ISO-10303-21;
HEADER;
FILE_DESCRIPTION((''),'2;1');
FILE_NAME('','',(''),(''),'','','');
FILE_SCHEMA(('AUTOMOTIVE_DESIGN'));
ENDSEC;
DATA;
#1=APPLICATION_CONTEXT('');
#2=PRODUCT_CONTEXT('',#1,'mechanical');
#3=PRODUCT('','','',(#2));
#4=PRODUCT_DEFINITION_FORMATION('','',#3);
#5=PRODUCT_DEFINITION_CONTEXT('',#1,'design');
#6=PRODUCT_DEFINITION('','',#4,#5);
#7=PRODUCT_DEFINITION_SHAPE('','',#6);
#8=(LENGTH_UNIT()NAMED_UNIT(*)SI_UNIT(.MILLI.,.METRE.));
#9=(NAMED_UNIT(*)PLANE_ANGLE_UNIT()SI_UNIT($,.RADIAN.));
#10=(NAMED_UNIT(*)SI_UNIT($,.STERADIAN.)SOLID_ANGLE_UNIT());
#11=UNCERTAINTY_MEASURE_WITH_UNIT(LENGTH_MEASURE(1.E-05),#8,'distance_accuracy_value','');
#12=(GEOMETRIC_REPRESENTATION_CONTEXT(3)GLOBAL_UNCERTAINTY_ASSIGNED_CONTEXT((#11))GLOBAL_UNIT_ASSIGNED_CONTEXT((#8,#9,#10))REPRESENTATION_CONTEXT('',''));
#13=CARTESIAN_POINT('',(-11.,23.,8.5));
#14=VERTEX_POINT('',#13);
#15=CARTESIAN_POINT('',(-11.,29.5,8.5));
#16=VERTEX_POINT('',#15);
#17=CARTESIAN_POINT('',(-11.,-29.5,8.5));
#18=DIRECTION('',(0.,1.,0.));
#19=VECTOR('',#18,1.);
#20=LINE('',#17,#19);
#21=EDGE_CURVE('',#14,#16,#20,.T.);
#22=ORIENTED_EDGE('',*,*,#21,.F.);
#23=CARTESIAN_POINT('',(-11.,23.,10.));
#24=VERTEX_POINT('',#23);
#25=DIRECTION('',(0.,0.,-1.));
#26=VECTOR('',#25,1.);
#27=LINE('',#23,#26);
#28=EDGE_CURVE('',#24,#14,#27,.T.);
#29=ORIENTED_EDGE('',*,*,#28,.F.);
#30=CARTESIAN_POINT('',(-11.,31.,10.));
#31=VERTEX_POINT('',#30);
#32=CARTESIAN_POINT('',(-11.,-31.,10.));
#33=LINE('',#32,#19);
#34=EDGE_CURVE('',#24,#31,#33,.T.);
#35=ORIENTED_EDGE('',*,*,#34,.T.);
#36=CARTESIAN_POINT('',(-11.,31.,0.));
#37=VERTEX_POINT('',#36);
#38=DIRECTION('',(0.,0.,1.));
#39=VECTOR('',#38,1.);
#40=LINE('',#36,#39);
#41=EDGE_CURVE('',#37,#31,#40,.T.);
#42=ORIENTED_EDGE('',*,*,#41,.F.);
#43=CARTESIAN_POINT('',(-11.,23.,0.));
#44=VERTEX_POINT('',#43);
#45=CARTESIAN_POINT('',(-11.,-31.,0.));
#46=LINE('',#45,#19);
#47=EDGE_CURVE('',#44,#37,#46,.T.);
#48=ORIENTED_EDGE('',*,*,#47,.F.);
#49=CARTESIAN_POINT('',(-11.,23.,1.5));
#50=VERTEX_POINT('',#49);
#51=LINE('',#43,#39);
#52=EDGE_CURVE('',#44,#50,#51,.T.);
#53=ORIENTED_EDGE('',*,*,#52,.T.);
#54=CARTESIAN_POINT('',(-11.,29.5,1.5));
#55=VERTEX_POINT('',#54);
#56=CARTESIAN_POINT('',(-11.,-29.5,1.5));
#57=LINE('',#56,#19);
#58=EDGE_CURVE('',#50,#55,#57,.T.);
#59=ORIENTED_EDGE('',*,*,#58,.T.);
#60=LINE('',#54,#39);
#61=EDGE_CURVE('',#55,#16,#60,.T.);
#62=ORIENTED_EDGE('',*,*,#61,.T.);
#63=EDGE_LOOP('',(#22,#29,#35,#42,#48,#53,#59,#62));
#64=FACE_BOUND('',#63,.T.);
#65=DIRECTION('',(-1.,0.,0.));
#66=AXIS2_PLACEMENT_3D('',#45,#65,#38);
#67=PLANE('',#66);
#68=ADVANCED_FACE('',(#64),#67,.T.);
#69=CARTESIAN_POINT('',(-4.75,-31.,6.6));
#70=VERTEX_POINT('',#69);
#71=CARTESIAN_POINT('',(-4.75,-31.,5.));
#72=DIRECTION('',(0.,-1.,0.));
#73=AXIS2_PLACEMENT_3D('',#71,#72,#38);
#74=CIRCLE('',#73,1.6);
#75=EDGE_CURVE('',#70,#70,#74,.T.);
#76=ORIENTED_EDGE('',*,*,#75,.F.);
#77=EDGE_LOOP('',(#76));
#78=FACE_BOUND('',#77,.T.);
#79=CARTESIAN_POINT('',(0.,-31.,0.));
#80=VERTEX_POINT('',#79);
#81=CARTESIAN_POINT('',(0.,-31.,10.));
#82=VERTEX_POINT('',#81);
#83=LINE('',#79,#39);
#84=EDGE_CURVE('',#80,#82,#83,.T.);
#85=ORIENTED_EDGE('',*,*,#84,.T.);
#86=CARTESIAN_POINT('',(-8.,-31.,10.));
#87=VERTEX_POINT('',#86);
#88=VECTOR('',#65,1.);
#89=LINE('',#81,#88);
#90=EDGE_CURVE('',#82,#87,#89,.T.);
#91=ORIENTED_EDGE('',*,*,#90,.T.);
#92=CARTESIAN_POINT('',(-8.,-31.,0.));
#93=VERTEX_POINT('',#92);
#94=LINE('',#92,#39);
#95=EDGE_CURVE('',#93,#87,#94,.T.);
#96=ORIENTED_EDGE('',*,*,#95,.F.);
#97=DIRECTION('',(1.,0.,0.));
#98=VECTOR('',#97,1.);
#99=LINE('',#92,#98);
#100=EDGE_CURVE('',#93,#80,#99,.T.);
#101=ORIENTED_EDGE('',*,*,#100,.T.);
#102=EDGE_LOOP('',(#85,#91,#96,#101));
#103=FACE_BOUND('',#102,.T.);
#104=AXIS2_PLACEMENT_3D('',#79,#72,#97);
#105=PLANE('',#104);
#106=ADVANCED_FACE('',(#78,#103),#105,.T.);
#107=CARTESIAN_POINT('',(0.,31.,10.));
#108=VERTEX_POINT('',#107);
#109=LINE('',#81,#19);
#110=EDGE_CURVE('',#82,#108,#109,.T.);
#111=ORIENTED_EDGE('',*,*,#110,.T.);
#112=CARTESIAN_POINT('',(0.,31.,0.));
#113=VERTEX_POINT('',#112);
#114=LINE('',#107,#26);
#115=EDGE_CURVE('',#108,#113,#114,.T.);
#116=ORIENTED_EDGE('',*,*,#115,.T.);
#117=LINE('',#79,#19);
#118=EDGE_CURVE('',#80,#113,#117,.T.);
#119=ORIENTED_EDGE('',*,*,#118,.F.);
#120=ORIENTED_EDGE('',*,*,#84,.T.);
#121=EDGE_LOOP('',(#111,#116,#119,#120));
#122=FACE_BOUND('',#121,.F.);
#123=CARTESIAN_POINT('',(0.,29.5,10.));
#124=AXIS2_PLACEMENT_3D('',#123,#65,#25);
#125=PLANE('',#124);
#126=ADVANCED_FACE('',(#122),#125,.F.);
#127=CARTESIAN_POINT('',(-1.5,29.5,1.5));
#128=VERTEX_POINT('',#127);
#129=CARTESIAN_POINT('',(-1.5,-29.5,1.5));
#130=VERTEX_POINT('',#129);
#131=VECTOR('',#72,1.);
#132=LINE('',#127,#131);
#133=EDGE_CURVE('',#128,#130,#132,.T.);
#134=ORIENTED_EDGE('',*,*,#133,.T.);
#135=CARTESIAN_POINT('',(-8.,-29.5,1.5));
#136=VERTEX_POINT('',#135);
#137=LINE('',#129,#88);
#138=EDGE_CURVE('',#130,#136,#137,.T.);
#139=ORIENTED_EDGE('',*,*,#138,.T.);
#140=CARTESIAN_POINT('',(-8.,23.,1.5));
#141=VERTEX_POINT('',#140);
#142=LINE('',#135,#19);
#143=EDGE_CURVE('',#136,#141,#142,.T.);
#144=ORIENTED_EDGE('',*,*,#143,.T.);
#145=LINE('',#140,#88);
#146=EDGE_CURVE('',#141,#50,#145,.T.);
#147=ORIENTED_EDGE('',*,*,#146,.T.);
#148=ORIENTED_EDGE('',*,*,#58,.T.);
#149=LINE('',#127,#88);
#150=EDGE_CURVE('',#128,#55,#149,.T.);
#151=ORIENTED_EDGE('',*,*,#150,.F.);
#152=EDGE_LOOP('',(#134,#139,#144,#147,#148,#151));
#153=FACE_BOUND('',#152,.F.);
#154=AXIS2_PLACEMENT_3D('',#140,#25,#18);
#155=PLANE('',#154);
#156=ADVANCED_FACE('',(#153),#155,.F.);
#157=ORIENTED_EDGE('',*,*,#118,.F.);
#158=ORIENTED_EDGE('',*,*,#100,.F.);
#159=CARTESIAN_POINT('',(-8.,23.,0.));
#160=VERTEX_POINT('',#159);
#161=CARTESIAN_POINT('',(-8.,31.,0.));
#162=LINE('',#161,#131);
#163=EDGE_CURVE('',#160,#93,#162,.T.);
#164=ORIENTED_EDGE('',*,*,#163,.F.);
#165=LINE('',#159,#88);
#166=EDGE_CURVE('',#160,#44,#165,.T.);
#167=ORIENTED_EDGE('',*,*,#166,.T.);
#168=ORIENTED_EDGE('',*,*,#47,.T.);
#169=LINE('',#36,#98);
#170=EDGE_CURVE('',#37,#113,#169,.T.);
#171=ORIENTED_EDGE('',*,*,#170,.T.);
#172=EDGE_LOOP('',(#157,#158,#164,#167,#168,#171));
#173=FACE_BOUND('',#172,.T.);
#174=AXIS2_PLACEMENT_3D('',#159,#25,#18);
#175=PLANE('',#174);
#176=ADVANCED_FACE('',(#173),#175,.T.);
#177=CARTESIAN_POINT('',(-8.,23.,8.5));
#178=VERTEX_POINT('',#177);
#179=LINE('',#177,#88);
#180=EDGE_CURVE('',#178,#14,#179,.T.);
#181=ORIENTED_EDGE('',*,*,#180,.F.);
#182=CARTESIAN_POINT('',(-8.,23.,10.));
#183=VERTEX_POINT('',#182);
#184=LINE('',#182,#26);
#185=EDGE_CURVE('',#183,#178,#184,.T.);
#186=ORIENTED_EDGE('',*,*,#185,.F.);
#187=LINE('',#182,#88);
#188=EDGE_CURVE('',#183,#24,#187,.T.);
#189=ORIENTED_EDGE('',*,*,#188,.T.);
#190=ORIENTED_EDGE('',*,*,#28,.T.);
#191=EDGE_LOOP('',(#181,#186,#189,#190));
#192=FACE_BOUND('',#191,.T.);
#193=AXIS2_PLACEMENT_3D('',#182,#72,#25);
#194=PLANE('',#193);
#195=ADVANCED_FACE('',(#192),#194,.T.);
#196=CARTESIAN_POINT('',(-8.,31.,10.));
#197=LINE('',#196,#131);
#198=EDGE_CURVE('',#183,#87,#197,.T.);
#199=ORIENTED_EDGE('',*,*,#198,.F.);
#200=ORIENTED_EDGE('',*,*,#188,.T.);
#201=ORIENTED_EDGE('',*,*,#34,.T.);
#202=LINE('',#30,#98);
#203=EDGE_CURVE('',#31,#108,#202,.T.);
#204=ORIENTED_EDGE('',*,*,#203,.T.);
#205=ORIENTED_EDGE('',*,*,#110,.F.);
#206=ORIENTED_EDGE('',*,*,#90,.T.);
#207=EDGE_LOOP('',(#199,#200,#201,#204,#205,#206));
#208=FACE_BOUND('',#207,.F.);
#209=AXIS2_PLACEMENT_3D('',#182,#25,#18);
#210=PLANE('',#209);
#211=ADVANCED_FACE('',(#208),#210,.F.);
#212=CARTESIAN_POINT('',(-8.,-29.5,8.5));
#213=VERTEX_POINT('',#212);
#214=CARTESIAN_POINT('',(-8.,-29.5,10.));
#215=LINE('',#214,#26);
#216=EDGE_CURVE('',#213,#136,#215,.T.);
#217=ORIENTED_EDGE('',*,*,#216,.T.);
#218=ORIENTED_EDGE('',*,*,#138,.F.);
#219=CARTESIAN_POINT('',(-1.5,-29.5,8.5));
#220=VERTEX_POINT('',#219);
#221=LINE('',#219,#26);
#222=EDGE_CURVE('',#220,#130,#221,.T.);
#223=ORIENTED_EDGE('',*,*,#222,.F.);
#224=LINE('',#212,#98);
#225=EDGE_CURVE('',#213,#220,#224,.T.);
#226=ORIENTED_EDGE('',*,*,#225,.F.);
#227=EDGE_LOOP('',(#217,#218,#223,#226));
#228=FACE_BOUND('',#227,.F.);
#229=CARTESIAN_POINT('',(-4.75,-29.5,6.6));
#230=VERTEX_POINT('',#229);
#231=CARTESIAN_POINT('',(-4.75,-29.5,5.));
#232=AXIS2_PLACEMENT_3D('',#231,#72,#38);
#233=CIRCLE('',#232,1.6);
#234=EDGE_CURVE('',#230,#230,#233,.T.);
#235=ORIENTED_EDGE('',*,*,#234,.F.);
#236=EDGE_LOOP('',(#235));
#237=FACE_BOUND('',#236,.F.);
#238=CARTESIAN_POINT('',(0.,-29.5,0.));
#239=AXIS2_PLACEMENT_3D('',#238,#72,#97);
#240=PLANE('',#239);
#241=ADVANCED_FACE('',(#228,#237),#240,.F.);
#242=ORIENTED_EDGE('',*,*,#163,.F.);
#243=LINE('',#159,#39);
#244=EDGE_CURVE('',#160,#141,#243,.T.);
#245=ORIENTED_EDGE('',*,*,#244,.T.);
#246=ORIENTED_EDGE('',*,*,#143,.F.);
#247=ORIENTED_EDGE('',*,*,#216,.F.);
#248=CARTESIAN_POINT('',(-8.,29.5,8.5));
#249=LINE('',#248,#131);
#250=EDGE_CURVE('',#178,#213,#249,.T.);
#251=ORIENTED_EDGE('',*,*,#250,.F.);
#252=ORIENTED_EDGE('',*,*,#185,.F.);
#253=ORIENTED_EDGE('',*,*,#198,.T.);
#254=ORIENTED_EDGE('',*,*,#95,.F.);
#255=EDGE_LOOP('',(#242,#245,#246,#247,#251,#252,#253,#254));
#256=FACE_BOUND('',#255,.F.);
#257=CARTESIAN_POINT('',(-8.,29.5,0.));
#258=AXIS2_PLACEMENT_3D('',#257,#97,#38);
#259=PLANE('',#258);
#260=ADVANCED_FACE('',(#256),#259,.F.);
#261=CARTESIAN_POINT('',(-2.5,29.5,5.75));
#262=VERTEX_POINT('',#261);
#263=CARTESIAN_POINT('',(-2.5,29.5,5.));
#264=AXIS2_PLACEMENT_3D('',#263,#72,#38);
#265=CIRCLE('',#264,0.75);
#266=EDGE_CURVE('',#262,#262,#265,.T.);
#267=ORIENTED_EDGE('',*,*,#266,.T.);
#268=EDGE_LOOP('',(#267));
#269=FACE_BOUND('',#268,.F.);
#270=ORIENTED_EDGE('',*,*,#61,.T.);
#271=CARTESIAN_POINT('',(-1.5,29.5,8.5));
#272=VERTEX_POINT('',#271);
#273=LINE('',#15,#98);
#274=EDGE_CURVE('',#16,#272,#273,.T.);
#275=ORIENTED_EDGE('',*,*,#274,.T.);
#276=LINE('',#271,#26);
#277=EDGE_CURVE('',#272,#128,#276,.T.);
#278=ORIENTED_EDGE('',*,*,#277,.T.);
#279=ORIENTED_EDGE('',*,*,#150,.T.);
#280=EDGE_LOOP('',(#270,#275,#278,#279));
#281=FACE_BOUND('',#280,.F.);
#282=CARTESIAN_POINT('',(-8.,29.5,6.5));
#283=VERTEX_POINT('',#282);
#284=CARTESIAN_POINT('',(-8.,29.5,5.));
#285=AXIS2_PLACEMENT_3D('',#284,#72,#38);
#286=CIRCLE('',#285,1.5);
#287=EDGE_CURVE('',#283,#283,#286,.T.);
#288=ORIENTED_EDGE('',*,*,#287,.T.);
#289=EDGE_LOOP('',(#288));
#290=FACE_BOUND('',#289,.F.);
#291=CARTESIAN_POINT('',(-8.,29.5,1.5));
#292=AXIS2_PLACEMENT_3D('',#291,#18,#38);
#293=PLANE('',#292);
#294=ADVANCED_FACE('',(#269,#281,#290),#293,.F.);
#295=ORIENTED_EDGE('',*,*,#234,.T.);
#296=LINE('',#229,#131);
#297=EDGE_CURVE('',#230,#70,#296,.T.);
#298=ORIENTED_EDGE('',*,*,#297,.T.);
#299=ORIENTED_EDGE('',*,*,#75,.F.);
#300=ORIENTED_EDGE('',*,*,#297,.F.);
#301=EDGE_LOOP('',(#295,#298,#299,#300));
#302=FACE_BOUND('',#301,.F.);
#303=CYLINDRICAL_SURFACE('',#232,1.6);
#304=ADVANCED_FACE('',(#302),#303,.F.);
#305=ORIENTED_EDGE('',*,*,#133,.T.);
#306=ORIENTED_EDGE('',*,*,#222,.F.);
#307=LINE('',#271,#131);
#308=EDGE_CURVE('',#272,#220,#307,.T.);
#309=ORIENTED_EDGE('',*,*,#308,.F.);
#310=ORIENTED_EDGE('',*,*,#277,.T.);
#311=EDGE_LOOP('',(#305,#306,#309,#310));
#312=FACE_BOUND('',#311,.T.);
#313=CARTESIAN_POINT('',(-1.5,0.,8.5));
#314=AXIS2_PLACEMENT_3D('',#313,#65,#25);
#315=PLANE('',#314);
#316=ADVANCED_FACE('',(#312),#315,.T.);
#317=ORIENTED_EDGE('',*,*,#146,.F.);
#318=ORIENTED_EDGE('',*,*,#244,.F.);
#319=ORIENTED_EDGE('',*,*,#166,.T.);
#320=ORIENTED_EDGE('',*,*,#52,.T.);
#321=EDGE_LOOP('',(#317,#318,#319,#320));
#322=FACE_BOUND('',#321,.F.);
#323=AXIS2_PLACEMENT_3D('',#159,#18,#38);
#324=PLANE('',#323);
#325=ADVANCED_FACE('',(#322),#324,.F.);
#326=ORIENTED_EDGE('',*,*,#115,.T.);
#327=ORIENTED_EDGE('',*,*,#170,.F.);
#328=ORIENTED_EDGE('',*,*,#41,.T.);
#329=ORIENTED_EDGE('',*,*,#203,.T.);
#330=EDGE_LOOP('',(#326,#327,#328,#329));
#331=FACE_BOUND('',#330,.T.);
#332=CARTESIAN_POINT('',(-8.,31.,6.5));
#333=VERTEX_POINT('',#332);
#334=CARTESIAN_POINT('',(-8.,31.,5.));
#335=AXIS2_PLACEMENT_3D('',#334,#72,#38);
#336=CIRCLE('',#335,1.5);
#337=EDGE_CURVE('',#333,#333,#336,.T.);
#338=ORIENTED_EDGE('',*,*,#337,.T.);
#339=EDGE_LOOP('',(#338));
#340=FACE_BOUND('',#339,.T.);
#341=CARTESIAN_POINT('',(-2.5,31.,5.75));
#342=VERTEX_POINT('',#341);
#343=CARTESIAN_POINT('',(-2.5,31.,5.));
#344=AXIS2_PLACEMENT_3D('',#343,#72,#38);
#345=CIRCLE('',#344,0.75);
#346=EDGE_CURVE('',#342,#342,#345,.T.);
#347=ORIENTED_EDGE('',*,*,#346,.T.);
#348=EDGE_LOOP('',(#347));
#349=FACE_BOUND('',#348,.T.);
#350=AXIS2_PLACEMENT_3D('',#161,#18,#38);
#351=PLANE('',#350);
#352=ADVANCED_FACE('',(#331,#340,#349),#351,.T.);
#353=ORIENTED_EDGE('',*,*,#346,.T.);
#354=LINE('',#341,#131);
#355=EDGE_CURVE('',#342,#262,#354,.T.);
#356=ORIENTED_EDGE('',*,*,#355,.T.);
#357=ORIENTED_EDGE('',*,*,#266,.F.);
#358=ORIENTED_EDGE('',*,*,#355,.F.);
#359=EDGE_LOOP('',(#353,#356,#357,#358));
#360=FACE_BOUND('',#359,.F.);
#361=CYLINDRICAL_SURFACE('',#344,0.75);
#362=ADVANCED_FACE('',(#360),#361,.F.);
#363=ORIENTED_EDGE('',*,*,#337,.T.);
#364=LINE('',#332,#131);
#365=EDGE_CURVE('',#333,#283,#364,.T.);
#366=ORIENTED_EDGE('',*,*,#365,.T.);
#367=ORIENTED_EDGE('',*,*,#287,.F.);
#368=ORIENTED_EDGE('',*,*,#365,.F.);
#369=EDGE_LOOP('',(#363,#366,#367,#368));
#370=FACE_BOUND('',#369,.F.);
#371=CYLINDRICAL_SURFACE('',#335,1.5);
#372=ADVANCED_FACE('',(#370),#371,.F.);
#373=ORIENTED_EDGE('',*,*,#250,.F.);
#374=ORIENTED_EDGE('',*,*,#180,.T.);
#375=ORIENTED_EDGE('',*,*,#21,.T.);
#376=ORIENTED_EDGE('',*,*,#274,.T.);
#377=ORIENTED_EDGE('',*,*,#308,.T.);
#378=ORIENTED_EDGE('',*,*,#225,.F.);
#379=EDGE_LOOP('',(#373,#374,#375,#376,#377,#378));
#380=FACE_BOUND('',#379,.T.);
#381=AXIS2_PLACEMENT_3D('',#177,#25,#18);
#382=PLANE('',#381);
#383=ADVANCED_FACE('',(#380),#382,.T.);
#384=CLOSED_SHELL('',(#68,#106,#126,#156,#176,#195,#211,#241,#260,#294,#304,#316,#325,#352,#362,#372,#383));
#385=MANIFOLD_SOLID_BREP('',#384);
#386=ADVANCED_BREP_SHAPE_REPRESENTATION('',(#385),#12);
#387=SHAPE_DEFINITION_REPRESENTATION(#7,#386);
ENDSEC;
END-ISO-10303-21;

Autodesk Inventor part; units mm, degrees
ref_plane "YZ Plane" through (0, 0, 0) normal (1, 0, 0) x (0, 1, 0)
ref_plane "XZ Plane" through (0, 0, 0) normal (0, 1, 0) x (-1, 0, 0)
ref_plane "XY Plane" through (0, 0, 0) normal (0, 0, 1) x (1, 0, 0)
sketch "Náčrt1" plane through (0, 0, 0) normal (0, 1, 0) x (-1, 0, 0)
  line L0 (0, -2) -> (0, 12) projected
  line L1 (-1.6, 0) -> (9.6, 0) projected
  line L2 (8, 10) -> (0, 10)
  line L3 (0, 10) -> (0, 0)
  line L4 (0, 0) -> (8, 0)
  line L5 (8, 0) -> (8, 10)
  line L6 (8, 8.5) -> (1.5, 8.5)
  line L7 (1.5, 8.5) -> (1.5, 1.5)
  line L8 (1.5, 1.5) -> (8, 1.5)
  line L9 (8, 1.5) -> (8, 8.5)
  point P0 (0, 0)
  point P1 (0, 10)
  dimension "d0" = 8
  dimension "d1" = 10
  dimension "d2" = 6.5
  dimension "d3" = 7
  dimension "d4" = 1.5
extrude "Vysunutí1" add sketch "Náčrt1" along normal mid plane 59 contours L0 L2 L5 L6 L7 L8 L1
sketch "Náčrt2" plane through (0, -29.5, 0) normal (0, -1, 0) x (1, 0, 0)
  line L0 (-8, 8.5) -> (-1.5, 8.5) projected
  line L1 (-1.5, 8.5) -> (-1.5, 1.5) projected
  line L2 (-1.5, 1.5) -> (-8, 1.5) projected
  line L3 (-8, 1.5) -> (-8, 0) projected
  line L4 (-8, 0) -> (0, 0) projected
  line L5 (0, 0) -> (0, 10) projected
  line L6 (0, 10) -> (-8, 10) projected
  line L7 (-8, 10) -> (-8, 8.5) projected
  line L8 (-8, 10) -> (0, 10)
  line L9 (0, 10) -> (0, 0)
  line L10 (0, 0) -> (-8, 0)
  line L11 (-8, 0) -> (-8, 10)
extrude "Vysunutí2" add sketch "Náčrt2" along normal blind 1.5
sketch "Náčrt3" plane through (0, -29.5, 0) normal (0, 1, 0) x (1, 0, 0)
  line L0 (-8, -8.5) -> (-1.5, -8.5) projected
  line L1 (-1.5, -8.5) -> (-1.5, -1.5) projected
  line L2 (-1.5, -1.5) -> (-8, -1.5) projected
  line L3 (-8, -8.5) -> (-8, -1.5) projected
  point P0 (0, 0)
  point P1 (-4.75, -5)
  dimension "d9" = 3.25
  dimension "d10" = 3.5
hole "Díra1" at (-4.75, -29.5, 5) direction (0, -1, 0) diameter 3.2 end through all
sketch "Náčrt5" plane through (0, 29.5, 0) normal (0, 1, 0) x (1, 0, 0)
  line L0 (0, -10) -> (-8, -10) projected
  line L1 (0, 0) -> (-8, 0)
  line L2 (-8, 0) -> (-8, -10)
  line L3 (-8, -10) -> (0, -10)
  line L4 (0, -10) -> (0, 0)
extrude "Vysunutí3" add sketch "Náčrt5" along normal blind 1.5
sketch "Náčrt6" plane through (-8, -31, 0) normal (-1, 0, 0) x (0, 0, 1)
  line L0 (0, 0) -> (0, 62) projected
  line L1 (0, 62) -> (0, 54)
  line L2 (0, 54) -> (1.5, 54)
  line L3 (1.5, 1.5) -> (1.5, 60.5) projected
  line L4 (1.5, 60.5) -> (1.5, 54)
  line L5 (0, 0) -> (0, 62) projected
  line L6 (10, 0) -> (0, 0) projected
  line L7 (10, 0) -> (10, 62) projected
  line L8 (0, 62) -> (10, 62) projected
  line L9 (1.5, 60.5) -> (8.5, 60.5) projected
  line L10 (8.5, 1.5) -> (8.5, 60.5) projected
  line L11 (8.5, 1.5) -> (1.5, 1.5) projected
  line L12 (1.5, 1.5) -> (1.5, 60.5) projected
  line L13 (1.5, 60.5) -> (8.5, 60.5)
  line L14 (8.5, 60.5) -> (8.5, 54)
  line L15 (8.5, 60.5) -> (8.5, 1.5) projected
  line L16 (10, 54) -> (8.5, 54)
  line L17 (10, 54) -> (10, 62)
  line L18 (0, 62) -> (10, 62)
  point P0 (0, 31)
  dimension "d31" = 8
  dimension "d32" = 8
extrude "Vysunutí4" add sketch "Náčrt6" along normal blind 3 contours L0 L8 L7 L16 L10 L9 L3 L2
sketch "Náčrt7" plane through (0, 31, 0) normal (0, 1, 0) x (1, 0, 0)
  line L0 (0, -10) -> (-11, -10) projected
  line L1 (0, -10) -> (0, 0) projected
  line L2 (0, 0) -> (-11, 0) projected
  line L3 (-11, -10) -> (-11, 0) projected
  point P0 (-2.5, -5)
  dimension "d35" = 2.5
  dimension "d37" = 5
hole "Díra3" at (-2.5, 31, 5) direction (0, -1, 0) diameter 1.5 depth 1.5
sketch "Náčrt8" plane through (0, 31, 0) normal (0, 1, 0) x (1, 0, 0)
  circle A0 centre (-2.5, -5) radius 0.75 projected
  line L0 (0, -10) -> (-11, -10) projected
  line L1 (0, -10) -> (0, 0) projected
  line L2 (0, 0) -> (-11, 0) projected
  line L3 (-11, -10) -> (-11, 0) projected
  point P0 (-8, -5)
  dimension "d45" = 3
  dimension "d46" = 5
hole "Díra4" at (-8, 31, 5) direction (0, -1, 0) diameter 3 depth 1.5
properties part number "head_arm" material "Hliník 6061"
